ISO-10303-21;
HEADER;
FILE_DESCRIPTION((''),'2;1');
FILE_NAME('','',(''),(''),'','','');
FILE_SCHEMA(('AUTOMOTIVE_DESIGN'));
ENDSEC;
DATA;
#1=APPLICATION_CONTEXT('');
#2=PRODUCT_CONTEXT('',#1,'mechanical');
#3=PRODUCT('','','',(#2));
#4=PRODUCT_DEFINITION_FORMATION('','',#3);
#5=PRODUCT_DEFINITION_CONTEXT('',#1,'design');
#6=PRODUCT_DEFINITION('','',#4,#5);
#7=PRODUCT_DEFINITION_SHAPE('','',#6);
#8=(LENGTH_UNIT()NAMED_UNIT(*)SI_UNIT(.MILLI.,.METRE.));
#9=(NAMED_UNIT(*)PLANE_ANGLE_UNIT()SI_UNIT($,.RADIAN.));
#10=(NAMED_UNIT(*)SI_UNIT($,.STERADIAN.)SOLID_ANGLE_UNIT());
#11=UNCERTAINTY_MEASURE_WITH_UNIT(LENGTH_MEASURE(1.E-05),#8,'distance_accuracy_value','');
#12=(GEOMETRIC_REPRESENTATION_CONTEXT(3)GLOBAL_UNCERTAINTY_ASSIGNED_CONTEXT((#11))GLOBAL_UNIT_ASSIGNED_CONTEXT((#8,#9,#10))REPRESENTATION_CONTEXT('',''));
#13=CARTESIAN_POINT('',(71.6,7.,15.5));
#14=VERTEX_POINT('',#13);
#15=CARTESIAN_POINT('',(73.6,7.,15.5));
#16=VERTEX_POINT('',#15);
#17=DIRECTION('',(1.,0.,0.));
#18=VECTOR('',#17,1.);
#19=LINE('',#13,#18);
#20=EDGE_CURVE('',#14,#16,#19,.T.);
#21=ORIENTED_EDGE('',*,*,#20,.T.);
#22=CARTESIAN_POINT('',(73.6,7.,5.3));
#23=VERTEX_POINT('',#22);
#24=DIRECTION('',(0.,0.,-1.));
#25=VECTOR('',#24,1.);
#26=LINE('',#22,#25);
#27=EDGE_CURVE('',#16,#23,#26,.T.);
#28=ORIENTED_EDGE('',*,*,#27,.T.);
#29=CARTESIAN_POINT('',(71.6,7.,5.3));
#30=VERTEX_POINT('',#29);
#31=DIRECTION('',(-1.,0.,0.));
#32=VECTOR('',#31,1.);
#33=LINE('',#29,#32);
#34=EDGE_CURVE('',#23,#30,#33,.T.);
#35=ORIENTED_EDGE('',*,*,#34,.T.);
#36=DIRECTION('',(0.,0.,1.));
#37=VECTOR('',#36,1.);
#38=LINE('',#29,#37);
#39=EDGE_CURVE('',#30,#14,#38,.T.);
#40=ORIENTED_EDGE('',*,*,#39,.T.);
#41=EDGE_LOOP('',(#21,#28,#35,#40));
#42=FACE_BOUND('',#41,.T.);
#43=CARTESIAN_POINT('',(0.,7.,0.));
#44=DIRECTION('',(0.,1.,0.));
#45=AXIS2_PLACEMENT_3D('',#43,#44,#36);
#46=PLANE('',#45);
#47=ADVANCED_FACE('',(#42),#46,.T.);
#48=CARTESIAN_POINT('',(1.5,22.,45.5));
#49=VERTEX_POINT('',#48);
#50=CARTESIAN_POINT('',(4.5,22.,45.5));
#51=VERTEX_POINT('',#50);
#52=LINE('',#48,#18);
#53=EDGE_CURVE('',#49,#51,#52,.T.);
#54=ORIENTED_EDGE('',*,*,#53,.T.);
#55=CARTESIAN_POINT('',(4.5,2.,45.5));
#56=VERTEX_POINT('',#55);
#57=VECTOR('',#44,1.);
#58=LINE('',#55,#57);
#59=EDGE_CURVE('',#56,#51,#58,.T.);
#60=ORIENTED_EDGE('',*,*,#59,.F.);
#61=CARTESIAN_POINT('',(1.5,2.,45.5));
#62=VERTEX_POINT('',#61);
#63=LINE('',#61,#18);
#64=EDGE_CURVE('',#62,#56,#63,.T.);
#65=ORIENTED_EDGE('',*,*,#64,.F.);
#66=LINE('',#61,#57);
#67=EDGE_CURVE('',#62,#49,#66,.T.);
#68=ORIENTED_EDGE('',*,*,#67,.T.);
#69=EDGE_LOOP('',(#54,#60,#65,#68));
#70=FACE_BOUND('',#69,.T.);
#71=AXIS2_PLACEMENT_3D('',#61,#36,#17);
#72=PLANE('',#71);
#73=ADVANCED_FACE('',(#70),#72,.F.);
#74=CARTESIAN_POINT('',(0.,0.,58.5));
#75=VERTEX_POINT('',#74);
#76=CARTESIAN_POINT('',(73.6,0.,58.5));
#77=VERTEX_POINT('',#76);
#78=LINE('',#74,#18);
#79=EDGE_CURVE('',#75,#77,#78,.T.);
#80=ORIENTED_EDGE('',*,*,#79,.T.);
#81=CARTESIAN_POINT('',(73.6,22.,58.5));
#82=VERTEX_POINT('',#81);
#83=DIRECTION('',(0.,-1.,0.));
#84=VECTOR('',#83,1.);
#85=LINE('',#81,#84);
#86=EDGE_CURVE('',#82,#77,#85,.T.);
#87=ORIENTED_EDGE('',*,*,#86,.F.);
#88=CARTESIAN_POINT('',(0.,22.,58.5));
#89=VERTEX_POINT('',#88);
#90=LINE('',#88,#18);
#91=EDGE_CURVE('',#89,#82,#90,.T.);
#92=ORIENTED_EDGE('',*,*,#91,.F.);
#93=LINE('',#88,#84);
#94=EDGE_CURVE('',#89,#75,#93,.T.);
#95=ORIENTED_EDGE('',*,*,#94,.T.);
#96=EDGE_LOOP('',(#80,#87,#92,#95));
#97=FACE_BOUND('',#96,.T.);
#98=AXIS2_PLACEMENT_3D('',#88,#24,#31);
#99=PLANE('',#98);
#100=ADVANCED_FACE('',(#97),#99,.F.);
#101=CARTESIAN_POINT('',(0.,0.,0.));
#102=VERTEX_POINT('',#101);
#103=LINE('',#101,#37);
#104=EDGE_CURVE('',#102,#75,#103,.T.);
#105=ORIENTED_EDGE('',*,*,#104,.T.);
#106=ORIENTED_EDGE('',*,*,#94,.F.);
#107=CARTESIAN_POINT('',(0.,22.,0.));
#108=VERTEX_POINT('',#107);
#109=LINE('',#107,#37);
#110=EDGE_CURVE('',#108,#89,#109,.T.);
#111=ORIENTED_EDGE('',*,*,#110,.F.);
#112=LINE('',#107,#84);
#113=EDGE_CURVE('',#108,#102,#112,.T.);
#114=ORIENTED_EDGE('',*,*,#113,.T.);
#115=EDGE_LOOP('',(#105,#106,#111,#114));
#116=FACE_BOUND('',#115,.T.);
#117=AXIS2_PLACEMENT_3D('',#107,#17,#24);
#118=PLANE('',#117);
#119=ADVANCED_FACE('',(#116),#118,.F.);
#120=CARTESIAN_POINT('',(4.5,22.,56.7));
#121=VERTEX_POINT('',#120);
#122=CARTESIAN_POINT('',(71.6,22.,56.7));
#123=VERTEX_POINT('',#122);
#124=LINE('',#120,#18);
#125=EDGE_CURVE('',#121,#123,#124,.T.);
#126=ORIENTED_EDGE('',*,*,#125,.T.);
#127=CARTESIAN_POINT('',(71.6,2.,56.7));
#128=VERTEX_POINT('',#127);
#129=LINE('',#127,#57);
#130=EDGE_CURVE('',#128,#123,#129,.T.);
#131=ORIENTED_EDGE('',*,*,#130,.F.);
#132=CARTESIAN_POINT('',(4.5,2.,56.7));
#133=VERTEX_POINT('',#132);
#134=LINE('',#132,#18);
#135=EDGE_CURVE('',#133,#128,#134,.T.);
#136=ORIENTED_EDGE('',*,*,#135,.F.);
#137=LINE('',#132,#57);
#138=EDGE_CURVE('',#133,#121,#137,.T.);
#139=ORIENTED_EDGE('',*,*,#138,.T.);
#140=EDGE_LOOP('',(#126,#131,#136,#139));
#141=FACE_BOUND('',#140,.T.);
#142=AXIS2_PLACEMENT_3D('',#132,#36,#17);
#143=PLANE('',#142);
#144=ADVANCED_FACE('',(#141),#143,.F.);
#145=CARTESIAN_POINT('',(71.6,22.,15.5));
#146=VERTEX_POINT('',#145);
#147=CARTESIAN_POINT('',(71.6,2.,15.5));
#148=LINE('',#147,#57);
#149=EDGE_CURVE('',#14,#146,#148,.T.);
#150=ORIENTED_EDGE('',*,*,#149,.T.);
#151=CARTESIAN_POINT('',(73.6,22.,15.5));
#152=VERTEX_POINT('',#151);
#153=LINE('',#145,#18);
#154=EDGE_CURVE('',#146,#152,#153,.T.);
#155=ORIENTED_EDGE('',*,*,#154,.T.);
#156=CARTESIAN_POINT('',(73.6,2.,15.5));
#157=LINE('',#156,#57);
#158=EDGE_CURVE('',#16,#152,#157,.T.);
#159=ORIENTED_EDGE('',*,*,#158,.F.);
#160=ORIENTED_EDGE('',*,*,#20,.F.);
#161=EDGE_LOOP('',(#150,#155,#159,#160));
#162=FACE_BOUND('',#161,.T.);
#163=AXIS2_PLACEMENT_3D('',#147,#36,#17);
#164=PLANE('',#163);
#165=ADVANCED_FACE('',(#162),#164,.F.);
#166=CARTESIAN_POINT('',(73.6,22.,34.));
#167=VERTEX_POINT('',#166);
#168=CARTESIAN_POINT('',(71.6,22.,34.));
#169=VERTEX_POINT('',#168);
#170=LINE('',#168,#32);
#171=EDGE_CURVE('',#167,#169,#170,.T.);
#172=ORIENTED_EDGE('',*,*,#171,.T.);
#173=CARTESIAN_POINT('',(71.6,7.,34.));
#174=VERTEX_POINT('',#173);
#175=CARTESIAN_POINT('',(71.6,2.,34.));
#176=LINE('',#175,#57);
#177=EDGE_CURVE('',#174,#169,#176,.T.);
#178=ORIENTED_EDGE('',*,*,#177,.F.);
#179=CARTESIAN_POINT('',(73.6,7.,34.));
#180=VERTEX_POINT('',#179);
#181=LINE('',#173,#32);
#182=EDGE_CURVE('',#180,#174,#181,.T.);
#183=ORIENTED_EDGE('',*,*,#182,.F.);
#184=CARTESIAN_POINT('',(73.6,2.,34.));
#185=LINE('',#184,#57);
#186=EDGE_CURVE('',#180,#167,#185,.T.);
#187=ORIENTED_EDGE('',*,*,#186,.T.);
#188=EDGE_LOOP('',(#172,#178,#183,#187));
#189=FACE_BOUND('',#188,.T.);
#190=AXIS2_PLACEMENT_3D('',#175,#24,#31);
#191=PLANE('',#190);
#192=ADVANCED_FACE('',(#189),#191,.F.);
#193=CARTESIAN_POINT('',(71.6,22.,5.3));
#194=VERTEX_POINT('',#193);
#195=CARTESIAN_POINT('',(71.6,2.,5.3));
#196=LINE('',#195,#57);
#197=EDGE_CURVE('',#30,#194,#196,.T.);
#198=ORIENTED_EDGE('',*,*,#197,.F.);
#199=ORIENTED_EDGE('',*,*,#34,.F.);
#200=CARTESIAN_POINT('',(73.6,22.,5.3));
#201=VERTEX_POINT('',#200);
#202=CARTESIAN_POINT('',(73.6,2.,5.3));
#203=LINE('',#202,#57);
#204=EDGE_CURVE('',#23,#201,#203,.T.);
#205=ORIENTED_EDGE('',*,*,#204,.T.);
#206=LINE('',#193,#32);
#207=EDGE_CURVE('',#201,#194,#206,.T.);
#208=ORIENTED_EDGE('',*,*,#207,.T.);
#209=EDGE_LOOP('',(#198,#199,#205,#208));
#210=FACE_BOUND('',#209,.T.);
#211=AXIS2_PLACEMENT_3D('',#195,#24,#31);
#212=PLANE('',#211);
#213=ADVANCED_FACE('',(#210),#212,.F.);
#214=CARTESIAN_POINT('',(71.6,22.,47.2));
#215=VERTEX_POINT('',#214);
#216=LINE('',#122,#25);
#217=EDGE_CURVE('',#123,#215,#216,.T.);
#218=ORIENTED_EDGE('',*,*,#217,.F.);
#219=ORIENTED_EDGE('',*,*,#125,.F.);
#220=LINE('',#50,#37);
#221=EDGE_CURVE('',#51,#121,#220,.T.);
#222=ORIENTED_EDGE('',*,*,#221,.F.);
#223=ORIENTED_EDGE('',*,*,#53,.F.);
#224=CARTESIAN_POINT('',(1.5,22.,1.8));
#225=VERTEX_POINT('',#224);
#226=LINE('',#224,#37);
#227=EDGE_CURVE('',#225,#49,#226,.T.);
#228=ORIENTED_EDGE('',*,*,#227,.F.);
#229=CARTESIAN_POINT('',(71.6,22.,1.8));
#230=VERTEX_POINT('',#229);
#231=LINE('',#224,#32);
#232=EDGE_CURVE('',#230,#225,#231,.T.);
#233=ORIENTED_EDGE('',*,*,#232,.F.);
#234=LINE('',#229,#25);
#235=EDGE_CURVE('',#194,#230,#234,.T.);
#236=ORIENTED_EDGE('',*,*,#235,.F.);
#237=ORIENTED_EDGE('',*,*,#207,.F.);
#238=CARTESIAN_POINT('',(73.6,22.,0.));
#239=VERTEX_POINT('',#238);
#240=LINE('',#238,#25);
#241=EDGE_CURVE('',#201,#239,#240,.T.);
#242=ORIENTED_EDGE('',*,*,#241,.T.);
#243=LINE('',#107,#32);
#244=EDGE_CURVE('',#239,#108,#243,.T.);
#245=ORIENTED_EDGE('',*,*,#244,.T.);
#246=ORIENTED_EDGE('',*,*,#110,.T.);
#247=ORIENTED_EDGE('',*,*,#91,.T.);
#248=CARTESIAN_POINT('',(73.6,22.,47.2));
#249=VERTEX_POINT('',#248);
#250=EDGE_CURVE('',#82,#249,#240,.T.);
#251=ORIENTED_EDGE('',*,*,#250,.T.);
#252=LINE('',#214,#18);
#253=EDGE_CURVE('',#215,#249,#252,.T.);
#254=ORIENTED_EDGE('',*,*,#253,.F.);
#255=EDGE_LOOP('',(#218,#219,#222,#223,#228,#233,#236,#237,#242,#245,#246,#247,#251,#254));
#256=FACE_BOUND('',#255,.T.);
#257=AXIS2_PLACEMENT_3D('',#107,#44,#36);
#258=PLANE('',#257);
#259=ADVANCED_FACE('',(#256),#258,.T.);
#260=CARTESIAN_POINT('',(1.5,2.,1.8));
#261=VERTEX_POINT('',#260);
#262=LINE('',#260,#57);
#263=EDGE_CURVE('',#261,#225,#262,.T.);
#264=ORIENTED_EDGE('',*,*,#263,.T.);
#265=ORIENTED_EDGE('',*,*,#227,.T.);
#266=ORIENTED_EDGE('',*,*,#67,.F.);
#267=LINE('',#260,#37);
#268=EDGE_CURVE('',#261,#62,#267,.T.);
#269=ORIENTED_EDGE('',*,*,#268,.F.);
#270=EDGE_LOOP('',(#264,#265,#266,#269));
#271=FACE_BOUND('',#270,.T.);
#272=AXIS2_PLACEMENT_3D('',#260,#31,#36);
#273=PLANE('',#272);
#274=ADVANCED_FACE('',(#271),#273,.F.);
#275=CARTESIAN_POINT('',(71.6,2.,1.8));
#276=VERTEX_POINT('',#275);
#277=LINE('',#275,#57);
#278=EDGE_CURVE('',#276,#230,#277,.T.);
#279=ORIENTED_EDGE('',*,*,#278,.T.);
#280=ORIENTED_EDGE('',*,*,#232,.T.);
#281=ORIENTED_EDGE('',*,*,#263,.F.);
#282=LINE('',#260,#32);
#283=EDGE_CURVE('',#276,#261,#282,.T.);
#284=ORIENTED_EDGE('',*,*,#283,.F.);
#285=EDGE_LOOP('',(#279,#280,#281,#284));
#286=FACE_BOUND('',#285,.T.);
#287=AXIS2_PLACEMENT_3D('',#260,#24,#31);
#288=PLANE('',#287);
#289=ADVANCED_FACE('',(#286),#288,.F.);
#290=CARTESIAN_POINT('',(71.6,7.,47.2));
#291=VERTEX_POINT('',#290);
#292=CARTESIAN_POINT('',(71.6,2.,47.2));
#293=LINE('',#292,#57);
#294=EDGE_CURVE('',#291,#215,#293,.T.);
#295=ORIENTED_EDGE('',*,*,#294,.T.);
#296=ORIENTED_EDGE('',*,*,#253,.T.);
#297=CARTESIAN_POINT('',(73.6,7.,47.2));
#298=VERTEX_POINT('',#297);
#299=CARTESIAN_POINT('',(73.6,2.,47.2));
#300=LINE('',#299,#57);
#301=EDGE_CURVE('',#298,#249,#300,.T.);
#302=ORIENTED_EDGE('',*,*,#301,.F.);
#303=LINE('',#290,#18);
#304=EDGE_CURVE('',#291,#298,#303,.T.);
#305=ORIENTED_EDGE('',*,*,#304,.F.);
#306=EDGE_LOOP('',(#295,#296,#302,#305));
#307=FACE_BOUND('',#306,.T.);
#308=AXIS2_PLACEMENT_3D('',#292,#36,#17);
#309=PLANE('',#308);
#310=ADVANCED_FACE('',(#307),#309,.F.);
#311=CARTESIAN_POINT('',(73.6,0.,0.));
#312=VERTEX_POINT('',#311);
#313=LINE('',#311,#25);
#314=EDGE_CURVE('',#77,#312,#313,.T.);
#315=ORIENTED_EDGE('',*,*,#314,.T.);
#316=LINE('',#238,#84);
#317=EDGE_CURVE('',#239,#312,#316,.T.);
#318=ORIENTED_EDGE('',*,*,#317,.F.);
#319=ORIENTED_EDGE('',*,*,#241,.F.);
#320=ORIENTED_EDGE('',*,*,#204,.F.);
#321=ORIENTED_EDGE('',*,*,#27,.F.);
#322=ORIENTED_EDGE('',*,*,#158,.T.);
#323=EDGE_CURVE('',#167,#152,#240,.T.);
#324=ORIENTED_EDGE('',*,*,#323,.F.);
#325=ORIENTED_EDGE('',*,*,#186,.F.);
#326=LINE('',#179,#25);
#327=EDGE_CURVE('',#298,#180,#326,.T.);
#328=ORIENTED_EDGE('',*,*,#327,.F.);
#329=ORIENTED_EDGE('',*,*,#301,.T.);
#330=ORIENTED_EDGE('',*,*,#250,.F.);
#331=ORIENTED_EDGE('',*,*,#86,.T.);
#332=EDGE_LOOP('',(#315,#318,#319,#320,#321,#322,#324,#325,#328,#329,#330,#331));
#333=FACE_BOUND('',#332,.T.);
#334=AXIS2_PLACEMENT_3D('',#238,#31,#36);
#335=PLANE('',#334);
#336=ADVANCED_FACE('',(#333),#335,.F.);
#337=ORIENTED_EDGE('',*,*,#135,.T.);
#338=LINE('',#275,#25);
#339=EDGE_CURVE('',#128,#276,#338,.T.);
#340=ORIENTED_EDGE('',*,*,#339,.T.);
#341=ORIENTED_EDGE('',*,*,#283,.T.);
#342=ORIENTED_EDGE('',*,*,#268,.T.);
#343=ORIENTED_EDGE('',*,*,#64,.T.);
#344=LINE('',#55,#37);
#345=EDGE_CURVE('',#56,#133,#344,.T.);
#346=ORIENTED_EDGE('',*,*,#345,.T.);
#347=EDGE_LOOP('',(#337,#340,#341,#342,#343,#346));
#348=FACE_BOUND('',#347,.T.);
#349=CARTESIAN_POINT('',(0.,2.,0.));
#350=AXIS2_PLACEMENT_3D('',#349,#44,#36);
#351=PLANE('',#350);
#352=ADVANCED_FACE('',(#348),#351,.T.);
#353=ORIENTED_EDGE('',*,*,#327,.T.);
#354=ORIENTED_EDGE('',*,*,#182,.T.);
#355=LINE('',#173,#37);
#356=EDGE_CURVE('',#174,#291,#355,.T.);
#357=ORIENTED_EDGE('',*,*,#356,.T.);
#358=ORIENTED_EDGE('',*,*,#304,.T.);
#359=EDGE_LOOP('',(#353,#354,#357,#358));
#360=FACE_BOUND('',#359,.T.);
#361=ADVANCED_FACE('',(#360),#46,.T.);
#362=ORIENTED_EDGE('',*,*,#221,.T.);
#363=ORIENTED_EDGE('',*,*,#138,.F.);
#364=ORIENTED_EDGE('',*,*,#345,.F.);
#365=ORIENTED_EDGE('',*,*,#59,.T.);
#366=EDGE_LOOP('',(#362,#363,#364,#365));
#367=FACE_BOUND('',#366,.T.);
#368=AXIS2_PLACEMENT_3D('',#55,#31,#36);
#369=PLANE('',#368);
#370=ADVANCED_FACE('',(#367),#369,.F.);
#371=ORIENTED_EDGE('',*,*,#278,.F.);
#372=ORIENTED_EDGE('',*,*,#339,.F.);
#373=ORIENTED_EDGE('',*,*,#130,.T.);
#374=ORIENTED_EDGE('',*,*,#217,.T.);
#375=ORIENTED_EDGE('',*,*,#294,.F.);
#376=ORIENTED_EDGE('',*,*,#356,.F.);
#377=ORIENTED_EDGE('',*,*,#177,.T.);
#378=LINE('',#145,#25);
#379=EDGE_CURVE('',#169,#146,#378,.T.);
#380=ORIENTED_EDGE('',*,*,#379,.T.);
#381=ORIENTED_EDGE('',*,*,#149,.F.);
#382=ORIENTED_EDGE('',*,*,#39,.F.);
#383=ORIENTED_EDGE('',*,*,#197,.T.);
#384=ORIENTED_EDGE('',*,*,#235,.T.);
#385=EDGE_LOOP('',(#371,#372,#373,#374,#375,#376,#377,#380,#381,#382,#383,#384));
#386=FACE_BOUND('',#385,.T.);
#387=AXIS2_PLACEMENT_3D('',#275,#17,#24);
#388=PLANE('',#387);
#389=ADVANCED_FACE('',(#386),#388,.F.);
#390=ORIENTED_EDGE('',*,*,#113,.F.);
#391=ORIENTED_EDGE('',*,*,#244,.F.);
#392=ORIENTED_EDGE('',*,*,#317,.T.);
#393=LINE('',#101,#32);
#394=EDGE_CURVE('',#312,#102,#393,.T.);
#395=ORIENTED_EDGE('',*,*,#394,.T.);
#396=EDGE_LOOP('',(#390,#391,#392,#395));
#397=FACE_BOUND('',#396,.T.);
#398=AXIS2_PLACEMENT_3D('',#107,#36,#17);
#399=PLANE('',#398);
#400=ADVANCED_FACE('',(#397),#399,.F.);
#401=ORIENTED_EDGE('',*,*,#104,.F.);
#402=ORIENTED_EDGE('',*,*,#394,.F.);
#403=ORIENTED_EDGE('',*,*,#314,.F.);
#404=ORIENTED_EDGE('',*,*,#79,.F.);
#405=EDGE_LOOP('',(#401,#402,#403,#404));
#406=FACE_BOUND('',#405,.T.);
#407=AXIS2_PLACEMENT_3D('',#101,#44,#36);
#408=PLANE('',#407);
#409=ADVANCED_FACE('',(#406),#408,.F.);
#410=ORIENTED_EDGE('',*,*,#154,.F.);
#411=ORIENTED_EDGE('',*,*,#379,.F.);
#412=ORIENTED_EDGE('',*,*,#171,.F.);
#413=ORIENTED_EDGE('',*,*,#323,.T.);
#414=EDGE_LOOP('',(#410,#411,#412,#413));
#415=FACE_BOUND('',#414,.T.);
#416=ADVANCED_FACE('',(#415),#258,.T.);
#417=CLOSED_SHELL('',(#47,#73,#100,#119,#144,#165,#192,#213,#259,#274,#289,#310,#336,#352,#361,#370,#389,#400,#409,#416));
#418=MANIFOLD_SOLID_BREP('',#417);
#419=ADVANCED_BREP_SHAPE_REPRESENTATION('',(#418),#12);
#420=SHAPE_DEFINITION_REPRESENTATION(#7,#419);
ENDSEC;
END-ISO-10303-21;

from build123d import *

# Parameters (mm, degrees)
SKETCH_1_W          = 73.6
SKETCH_1_H          = 58.5
EXTRUDE_1_DEPTH     = 22
CUT_EXTRUDE_2_DEPTH = 20
SKETCH_4_W          = 2
SKETCH_4_H          = 10.2
SKETCH_4_H_2        = 13.2
EXTRUDE_2_DEPTH     = 5


with BuildPart() as part:
    # Эскиз1 → Бобышка-Вытянуть1 (new body)
    with BuildSketch(Plane(origin=(0, 0, 0), x_dir=(1, 0, 0), z_dir=(0, 1, 0))):
        with Locations((36.8, -29.25)):
            Rectangle(SKETCH_1_W, SKETCH_1_H)
    extrude(amount=EXTRUDE_1_DEPTH)

    # Эскиз3 → Вырез-Вытянуть2 (cut)
    with BuildSketch(Plane(origin=(0, 22, 0), x_dir=(1, 0, 0), z_dir=(0, 1, 0))):
        Polygon((1.5, -1.8), (71.6, -1.8), (71.6, -5.3), (73.6, -5.3), (73.6, -15.5), (71.6, -15.5), (71.6, -34), (73.6, -34), (73.6, -47.2), (71.6, -47.2), (71.6, -56.7), (4.5, -56.7), (4.5, -45.5), (1.5, -45.5), align=None)
    extrude(amount=-CUT_EXTRUDE_2_DEPTH, mode=Mode.SUBTRACT)

    # Эскиз4 → Бобышка-Вытянуть2 (add)
    with BuildSketch(Plane(origin=(0, 2, 0), x_dir=(1, 0, 0), z_dir=(0, 1, 0))):
        with Locations((72.6, -10.4)):
            Rectangle(SKETCH_4_W, SKETCH_4_H)
        with Locations((72.6, -40.6)):
            Rectangle(SKETCH_4_W, SKETCH_4_H_2)
    extrude(amount=EXTRUDE_2_DEPTH)


solid = part.part
